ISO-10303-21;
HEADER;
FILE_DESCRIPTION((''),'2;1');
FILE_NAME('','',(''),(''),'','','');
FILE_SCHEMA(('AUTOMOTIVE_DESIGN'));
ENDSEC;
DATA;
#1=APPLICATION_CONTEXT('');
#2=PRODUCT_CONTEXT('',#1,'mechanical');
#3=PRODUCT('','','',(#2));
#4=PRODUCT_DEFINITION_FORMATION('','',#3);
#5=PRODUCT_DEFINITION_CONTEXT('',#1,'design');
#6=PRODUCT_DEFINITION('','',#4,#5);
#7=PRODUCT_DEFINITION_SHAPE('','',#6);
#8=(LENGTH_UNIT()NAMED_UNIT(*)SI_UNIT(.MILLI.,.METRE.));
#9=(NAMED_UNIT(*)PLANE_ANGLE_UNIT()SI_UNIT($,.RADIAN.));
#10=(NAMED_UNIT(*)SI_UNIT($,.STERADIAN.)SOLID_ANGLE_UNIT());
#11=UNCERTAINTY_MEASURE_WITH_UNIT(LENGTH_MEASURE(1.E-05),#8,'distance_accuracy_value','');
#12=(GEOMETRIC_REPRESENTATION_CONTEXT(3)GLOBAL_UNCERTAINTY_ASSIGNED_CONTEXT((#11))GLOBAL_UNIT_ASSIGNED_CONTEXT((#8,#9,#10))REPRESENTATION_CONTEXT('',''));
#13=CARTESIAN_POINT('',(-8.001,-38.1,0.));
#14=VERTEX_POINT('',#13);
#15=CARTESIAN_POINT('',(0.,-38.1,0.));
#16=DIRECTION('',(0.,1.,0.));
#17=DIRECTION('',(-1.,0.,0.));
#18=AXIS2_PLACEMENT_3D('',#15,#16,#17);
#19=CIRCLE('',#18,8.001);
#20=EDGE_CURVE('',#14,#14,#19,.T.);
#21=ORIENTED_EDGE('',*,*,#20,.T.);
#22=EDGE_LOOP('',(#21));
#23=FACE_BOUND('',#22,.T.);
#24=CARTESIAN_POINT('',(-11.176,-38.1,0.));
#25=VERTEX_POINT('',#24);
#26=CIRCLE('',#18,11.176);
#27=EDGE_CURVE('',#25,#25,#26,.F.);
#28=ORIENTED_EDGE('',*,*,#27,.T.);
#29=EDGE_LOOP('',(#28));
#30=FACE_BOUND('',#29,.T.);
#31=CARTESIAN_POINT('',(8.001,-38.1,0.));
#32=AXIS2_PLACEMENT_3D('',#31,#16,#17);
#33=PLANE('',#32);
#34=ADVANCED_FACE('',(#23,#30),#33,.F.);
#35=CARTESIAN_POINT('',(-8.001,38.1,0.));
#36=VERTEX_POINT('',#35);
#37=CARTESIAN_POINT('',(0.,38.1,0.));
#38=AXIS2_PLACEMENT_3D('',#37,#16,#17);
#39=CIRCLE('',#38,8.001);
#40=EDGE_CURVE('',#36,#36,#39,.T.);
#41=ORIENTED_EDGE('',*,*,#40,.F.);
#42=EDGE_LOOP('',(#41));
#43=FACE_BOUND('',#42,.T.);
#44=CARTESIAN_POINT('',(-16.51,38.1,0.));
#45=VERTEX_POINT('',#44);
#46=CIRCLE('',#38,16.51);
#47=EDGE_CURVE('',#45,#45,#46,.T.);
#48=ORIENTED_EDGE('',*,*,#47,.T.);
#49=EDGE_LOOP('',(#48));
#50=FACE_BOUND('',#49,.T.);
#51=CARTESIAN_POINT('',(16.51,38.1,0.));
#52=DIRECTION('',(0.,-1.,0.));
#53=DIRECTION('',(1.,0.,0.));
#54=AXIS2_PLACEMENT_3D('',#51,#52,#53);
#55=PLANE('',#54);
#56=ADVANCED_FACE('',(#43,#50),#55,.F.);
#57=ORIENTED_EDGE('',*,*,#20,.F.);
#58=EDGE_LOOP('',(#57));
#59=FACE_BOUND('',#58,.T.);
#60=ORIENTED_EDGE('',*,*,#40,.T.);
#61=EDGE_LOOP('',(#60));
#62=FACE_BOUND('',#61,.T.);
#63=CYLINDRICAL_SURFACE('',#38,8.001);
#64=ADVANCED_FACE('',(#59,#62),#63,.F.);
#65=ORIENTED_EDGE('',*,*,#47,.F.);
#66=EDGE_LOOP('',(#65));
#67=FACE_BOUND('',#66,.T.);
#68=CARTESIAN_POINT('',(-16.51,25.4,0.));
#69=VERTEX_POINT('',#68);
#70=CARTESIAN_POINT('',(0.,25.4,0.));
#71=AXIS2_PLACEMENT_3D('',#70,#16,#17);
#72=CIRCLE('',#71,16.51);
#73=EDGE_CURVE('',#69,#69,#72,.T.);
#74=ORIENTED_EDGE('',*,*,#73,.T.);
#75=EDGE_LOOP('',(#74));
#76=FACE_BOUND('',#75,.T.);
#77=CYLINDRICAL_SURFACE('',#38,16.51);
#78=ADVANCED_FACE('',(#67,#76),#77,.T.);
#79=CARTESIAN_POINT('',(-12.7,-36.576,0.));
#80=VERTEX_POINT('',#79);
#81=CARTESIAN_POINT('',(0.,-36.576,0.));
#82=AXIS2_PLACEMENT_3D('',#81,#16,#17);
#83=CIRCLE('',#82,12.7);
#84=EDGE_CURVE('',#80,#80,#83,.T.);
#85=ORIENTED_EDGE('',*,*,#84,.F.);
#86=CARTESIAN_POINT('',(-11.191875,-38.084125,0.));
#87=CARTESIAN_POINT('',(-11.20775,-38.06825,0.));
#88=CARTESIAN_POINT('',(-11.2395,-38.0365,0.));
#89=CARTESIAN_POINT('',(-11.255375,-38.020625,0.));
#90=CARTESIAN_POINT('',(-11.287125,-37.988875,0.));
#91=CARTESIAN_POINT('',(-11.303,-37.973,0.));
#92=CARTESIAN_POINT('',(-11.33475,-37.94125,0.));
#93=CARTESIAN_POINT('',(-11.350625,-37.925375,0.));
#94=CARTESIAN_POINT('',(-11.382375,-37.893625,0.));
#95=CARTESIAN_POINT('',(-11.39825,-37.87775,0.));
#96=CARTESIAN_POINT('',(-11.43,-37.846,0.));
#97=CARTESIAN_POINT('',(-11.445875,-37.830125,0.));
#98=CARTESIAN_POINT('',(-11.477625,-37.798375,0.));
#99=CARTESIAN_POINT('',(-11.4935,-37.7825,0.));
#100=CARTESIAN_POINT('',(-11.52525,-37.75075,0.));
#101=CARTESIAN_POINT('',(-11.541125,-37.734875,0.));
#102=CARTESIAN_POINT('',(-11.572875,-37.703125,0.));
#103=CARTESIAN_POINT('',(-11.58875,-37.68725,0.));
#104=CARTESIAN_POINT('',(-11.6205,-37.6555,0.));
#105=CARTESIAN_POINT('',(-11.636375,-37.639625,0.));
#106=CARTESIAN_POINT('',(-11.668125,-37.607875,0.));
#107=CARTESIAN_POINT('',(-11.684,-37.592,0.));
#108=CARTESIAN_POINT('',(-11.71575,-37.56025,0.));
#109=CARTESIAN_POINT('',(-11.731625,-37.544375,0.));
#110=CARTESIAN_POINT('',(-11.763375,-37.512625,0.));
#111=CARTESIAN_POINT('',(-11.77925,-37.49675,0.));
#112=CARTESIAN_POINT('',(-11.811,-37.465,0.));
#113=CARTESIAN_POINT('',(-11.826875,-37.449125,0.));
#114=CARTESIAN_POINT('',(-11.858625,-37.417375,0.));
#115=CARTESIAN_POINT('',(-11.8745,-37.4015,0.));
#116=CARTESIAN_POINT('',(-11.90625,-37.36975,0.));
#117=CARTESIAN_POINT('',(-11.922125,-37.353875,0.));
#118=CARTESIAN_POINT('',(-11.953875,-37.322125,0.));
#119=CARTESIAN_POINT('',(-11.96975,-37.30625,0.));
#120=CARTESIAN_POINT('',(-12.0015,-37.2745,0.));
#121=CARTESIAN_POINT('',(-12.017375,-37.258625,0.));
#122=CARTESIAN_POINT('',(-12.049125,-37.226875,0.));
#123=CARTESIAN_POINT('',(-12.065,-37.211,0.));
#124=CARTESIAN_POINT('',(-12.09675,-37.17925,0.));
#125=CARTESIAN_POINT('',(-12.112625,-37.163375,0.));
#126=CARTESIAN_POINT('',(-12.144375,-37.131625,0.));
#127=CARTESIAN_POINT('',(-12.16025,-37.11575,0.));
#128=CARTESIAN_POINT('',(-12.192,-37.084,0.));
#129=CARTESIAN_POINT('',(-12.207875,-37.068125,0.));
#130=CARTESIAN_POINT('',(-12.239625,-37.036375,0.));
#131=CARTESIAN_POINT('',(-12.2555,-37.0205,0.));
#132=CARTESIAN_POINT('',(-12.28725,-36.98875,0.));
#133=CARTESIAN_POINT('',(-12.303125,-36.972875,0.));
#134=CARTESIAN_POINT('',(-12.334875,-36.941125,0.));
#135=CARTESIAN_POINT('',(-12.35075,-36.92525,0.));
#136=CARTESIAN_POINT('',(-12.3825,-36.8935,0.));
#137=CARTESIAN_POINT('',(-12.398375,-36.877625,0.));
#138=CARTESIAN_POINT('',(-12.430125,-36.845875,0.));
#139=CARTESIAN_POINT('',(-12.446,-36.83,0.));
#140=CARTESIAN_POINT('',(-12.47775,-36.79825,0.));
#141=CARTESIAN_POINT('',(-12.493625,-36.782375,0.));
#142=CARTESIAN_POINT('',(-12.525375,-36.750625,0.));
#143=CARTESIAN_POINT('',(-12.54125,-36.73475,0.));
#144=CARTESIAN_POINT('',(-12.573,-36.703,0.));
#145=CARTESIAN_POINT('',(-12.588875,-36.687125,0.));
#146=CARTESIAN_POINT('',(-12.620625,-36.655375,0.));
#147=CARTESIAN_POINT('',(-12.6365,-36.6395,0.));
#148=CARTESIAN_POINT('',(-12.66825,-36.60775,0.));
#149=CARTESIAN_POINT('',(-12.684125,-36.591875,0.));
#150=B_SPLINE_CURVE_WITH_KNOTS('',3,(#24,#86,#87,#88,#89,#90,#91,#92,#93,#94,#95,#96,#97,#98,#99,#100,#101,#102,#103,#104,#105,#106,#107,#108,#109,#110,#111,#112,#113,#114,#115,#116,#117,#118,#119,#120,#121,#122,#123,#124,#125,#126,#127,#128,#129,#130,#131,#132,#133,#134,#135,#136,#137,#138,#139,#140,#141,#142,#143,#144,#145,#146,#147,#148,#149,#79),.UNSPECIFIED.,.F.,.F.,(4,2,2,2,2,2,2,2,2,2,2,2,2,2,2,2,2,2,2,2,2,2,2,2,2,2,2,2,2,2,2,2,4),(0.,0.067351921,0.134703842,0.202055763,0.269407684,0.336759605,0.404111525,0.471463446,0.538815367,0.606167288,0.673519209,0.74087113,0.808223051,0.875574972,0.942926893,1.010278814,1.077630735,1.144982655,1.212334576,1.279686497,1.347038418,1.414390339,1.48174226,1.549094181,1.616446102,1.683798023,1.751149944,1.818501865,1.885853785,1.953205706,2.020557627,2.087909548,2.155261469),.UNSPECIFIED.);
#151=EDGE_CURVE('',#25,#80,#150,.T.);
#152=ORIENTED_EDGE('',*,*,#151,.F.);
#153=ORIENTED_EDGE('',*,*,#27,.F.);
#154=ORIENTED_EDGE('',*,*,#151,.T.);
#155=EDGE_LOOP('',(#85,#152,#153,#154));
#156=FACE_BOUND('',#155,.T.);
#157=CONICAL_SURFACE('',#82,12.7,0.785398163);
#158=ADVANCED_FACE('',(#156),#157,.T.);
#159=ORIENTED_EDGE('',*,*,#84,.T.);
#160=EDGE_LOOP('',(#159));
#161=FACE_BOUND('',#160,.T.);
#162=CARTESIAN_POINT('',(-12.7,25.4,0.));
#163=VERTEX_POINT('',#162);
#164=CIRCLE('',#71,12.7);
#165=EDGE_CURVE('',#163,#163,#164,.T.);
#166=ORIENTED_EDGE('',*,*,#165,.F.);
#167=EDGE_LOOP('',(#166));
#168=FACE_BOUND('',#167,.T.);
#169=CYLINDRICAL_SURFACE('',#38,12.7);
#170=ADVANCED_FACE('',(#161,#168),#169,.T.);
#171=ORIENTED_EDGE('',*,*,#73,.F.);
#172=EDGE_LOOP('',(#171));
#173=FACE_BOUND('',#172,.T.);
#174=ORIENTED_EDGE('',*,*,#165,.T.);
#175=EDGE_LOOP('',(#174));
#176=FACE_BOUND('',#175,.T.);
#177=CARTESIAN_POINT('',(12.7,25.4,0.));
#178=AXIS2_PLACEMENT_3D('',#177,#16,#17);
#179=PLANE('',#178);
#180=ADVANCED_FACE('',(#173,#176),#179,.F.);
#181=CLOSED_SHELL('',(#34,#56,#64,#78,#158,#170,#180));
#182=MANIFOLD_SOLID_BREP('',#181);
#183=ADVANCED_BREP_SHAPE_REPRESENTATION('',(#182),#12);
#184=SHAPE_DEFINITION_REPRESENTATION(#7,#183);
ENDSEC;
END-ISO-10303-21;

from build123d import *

# Parameters (mm, degrees)
CHAMFER1_SIZE = 1.524


with BuildPart() as part:
    # Sketch1 → Revolve2 (revolve)
    with BuildSketch(Plane.XY, mode=Mode.PRIVATE) as revolve2_sk:
        Polygon((12.7, -38.1), (12.7, 25.4), (16.51, 25.4), (16.51, 38.1), (8.001, 38.1), (8.001, -38.1), align=None)
    revolve(revolve2_sk.sketch.rotate(Axis((0, 38.1, 0), (0, -1, 0)), 180), axis=Axis((0, 38.1, 0), (0, -1, 0)))

    # Chamfer1
    chamfer1_edges = [part.edges().sort_by_distance(p)[0] for p in [
        (12.7, -38.1, 0),
    ]]
    chamfer(chamfer1_edges, length=CHAMFER1_SIZE)


solid = part.part
